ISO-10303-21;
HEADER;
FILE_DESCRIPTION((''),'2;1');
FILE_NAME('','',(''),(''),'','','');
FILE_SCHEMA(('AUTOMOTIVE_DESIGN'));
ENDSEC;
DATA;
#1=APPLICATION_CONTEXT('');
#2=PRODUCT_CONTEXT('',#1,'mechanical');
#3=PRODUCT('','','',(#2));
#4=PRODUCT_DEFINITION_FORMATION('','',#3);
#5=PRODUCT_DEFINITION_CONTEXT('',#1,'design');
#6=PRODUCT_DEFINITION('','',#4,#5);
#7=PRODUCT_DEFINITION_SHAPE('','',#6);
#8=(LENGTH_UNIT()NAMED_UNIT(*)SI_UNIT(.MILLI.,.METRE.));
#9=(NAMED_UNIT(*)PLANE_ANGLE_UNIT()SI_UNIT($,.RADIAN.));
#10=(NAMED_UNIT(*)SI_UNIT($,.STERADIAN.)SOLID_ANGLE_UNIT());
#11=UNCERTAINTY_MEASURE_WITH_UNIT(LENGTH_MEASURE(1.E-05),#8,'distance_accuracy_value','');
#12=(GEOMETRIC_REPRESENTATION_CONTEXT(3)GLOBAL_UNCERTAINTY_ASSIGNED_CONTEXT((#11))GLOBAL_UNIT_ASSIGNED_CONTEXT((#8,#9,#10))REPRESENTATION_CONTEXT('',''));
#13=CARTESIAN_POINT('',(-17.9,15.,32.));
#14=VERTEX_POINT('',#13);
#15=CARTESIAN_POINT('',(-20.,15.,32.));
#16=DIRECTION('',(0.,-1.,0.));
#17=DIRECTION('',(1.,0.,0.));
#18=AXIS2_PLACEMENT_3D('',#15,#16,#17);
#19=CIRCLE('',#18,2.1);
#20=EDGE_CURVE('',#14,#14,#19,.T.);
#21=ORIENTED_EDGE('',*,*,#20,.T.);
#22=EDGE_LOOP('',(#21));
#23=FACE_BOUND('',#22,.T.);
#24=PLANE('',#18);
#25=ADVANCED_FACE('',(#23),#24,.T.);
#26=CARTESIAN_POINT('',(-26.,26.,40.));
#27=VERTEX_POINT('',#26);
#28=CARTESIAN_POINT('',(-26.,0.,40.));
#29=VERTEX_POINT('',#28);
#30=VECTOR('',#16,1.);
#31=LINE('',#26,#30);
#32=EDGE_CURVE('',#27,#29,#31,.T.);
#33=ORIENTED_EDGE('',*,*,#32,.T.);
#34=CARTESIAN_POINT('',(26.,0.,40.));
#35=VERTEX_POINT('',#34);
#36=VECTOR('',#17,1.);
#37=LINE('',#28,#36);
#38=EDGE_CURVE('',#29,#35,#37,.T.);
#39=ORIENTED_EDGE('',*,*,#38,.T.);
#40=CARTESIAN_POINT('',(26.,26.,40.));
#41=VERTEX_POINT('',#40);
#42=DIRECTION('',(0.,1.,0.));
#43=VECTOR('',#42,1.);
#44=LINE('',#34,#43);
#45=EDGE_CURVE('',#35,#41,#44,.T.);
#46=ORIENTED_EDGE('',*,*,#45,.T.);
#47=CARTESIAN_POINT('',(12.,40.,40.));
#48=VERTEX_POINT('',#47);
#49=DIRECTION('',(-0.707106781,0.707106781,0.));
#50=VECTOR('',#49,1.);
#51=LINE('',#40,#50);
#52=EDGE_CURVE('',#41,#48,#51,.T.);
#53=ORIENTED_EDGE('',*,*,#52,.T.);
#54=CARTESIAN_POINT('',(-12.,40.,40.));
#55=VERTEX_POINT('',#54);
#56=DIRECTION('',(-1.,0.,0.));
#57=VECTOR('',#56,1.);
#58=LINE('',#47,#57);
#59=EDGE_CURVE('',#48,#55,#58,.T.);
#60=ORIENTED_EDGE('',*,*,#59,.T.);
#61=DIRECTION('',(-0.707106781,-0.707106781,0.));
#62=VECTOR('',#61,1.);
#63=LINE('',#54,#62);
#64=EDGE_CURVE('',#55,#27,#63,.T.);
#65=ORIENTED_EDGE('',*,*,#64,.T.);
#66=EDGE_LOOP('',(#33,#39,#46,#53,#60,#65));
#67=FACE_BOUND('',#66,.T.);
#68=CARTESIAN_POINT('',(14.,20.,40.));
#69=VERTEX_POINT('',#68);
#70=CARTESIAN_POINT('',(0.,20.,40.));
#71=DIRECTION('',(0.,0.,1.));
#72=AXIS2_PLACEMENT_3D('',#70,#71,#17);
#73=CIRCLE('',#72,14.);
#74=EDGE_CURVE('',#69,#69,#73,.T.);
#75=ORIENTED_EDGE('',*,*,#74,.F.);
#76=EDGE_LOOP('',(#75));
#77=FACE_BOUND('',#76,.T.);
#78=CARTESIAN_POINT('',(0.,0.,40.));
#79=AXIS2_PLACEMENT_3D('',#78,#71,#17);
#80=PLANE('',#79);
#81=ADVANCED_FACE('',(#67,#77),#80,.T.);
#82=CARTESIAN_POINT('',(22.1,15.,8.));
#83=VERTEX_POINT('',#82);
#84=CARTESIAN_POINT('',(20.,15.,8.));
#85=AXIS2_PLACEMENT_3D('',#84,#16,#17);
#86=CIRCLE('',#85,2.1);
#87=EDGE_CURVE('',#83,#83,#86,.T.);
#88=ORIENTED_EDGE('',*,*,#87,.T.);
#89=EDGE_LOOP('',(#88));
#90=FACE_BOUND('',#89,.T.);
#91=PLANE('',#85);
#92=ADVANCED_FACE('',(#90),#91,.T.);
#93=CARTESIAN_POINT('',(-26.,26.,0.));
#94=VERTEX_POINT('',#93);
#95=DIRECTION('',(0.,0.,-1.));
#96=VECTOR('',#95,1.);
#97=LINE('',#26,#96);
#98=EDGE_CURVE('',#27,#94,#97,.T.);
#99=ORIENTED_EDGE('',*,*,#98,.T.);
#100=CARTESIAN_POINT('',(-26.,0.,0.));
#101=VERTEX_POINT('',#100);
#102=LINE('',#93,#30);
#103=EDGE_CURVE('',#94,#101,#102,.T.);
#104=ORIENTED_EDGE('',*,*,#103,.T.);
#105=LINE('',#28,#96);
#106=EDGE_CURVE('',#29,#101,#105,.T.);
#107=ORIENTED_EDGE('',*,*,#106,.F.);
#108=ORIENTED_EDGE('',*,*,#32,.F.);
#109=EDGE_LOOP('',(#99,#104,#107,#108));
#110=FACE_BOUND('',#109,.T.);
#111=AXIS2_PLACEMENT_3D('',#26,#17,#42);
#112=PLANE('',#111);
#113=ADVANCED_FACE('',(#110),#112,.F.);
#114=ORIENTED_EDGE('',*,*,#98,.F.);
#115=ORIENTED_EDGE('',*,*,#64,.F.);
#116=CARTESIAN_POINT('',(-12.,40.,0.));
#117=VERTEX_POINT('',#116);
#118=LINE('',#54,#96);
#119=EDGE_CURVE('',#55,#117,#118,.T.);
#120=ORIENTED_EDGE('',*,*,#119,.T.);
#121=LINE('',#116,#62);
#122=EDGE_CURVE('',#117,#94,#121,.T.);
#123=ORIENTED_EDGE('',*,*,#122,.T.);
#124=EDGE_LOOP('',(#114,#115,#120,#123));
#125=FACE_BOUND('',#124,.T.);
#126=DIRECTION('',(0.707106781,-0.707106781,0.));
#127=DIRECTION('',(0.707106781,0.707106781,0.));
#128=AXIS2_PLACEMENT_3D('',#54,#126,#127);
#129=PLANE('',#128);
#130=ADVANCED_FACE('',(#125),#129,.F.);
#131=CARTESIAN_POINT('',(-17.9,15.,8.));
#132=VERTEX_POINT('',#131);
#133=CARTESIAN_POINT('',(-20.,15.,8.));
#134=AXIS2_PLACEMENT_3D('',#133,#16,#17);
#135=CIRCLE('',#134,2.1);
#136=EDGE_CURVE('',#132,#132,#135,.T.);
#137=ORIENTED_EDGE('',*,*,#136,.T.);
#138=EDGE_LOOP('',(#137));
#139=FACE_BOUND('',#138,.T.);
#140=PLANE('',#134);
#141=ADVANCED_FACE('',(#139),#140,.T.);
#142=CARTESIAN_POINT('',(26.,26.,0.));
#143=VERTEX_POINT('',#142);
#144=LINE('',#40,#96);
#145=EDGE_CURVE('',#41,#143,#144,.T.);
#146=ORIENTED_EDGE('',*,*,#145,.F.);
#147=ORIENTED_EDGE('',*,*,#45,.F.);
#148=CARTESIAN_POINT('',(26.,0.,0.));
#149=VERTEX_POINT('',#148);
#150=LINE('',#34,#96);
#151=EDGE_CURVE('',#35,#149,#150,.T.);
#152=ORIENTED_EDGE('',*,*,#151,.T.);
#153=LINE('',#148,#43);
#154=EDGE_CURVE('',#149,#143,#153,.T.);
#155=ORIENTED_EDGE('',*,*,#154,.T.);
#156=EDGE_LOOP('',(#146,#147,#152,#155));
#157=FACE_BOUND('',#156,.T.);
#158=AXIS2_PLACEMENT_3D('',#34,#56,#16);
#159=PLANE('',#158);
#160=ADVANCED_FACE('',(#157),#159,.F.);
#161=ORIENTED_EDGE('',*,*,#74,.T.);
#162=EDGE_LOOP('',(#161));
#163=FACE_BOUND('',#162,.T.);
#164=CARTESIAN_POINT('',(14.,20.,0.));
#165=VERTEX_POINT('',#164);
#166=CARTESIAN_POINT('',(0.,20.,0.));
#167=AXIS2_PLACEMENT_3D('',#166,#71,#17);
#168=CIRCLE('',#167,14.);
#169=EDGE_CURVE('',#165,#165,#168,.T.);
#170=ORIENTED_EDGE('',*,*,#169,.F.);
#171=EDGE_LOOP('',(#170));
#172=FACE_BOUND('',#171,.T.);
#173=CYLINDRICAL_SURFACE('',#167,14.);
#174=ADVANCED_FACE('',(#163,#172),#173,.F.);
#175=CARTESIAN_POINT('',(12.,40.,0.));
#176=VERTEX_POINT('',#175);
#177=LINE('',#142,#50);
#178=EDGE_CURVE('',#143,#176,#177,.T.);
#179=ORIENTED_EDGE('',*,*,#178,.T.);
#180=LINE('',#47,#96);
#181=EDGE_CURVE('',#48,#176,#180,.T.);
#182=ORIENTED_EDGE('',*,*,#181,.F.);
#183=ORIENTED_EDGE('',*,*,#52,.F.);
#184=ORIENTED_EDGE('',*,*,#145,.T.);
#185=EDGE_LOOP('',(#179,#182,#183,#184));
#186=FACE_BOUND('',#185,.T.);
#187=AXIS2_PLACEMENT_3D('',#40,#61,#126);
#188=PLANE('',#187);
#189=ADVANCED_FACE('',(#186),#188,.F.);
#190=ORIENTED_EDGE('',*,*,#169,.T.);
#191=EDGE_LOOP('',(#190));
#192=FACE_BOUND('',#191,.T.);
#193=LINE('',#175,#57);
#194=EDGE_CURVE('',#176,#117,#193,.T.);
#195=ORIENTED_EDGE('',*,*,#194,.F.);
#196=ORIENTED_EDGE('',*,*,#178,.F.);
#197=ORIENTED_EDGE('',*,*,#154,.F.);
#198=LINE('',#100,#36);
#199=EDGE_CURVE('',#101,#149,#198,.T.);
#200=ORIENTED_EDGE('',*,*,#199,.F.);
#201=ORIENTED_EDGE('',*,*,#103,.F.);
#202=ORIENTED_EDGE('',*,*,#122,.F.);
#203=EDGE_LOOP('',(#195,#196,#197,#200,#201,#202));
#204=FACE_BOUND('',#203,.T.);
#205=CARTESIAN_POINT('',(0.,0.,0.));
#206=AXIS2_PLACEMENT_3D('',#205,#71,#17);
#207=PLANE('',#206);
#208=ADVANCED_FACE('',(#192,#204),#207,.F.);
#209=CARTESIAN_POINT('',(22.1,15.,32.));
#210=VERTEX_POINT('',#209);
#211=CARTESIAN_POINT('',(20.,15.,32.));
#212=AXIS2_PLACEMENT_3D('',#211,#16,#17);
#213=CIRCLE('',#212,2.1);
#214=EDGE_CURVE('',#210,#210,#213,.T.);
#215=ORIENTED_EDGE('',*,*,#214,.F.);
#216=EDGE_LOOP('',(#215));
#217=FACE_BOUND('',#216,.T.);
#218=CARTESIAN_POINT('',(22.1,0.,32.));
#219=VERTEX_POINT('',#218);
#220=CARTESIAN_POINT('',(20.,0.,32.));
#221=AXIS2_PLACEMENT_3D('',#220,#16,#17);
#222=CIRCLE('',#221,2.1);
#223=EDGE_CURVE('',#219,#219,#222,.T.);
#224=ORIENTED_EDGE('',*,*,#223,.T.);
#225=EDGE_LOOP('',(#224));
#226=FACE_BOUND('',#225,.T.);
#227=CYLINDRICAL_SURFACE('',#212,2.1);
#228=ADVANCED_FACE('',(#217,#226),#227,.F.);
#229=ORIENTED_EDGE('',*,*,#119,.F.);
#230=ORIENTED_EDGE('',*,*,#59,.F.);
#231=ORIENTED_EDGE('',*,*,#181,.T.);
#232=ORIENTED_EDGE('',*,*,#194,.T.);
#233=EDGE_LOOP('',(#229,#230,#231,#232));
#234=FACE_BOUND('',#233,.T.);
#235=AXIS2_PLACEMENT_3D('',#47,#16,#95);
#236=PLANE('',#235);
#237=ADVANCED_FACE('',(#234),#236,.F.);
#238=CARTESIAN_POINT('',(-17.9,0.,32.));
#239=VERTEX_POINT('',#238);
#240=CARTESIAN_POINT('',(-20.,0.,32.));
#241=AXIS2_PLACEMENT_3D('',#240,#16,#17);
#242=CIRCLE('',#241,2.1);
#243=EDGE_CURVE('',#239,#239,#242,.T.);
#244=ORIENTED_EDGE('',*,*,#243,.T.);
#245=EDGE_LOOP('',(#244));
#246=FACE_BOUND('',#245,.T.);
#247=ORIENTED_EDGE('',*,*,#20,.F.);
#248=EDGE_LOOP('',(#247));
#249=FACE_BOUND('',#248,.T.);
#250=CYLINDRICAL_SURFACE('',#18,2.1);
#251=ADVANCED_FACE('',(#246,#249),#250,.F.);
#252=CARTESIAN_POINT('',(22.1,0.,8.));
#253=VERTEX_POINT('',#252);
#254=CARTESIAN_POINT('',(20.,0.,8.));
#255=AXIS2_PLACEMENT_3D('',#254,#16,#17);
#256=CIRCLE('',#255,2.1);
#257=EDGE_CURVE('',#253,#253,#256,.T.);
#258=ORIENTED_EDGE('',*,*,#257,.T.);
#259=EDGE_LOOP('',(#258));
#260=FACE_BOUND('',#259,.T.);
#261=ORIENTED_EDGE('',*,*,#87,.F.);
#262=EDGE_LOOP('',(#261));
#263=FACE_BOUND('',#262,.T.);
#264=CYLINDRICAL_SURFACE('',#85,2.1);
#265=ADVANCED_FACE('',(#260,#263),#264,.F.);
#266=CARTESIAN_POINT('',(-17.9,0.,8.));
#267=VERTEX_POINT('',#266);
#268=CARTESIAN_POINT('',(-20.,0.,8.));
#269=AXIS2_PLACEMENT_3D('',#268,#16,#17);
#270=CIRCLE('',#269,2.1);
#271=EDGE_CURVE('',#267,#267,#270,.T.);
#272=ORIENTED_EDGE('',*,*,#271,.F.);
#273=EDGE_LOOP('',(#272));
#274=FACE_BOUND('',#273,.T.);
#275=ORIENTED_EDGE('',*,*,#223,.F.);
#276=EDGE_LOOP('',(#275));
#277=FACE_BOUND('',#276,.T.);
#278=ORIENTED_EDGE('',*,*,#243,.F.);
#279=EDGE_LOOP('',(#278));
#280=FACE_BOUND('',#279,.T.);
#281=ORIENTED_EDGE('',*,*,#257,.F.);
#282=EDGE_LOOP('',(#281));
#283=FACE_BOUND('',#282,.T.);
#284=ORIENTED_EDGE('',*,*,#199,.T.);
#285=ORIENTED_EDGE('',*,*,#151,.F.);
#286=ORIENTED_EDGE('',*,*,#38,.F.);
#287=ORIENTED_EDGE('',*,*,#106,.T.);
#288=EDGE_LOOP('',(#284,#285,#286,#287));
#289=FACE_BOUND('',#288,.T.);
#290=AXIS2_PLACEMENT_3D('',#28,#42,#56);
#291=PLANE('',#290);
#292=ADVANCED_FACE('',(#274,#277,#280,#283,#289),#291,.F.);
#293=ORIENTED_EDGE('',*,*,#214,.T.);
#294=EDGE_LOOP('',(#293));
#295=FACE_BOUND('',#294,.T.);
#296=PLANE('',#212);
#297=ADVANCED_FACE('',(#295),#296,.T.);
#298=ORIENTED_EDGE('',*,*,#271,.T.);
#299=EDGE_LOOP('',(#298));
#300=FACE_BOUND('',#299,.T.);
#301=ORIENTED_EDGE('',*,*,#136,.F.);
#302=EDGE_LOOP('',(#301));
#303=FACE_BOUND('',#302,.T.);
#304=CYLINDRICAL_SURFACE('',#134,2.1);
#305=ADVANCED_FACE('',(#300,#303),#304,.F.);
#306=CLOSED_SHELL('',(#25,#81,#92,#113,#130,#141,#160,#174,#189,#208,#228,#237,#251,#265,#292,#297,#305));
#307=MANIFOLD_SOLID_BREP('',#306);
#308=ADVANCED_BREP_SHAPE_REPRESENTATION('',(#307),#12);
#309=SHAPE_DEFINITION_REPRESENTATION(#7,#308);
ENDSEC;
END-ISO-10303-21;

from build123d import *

# Parameters (mm, degrees)
AUFSATZ_LINEAR_AUSTRAGEN1_DEPTH = 40
SKIZZE2_R                       = 14
SCHNITT_LINEAR_AUSTRAGEN1_DEPTH = 40
SKIZZE3_R                       = 2.1
SCHNITT_LINEAR_AUSTRAGEN2_DEPTH = 15


with BuildPart() as part:
    # Skizze1 → Aufsatz-Linear austragen1 (new body)
    with BuildSketch(Plane.XY):
        Polygon((-26, 0), (26, 0), (26, 26), (12, 40), (-12, 40), (-26, 26), align=None)
    extrude(amount=AUFSATZ_LINEAR_AUSTRAGEN1_DEPTH)

    # Skizze2 → Schnitt-Linear austragen1 (cut)
    with BuildSketch(Plane.XY.offset(40)):
        with Locations((0, 20)):
            Circle(SKIZZE2_R)
    extrude(amount=-SCHNITT_LINEAR_AUSTRAGEN1_DEPTH, mode=Mode.SUBTRACT)

    # Skizze3 → Schnitt-Linear austragen2 (cut)
    with BuildSketch(Plane.XZ):
        with Locations((-20, 32)):
            Circle(SKIZZE3_R)
        with Locations((20, 32)):
            Circle(SKIZZE3_R)
        with Locations((-20, 8)):
            Circle(SKIZZE3_R)
        with Locations((20, 8)):
            Circle(SKIZZE3_R)
    extrude(amount=-SCHNITT_LINEAR_AUSTRAGEN2_DEPTH, mode=Mode.SUBTRACT)


solid = part.part
